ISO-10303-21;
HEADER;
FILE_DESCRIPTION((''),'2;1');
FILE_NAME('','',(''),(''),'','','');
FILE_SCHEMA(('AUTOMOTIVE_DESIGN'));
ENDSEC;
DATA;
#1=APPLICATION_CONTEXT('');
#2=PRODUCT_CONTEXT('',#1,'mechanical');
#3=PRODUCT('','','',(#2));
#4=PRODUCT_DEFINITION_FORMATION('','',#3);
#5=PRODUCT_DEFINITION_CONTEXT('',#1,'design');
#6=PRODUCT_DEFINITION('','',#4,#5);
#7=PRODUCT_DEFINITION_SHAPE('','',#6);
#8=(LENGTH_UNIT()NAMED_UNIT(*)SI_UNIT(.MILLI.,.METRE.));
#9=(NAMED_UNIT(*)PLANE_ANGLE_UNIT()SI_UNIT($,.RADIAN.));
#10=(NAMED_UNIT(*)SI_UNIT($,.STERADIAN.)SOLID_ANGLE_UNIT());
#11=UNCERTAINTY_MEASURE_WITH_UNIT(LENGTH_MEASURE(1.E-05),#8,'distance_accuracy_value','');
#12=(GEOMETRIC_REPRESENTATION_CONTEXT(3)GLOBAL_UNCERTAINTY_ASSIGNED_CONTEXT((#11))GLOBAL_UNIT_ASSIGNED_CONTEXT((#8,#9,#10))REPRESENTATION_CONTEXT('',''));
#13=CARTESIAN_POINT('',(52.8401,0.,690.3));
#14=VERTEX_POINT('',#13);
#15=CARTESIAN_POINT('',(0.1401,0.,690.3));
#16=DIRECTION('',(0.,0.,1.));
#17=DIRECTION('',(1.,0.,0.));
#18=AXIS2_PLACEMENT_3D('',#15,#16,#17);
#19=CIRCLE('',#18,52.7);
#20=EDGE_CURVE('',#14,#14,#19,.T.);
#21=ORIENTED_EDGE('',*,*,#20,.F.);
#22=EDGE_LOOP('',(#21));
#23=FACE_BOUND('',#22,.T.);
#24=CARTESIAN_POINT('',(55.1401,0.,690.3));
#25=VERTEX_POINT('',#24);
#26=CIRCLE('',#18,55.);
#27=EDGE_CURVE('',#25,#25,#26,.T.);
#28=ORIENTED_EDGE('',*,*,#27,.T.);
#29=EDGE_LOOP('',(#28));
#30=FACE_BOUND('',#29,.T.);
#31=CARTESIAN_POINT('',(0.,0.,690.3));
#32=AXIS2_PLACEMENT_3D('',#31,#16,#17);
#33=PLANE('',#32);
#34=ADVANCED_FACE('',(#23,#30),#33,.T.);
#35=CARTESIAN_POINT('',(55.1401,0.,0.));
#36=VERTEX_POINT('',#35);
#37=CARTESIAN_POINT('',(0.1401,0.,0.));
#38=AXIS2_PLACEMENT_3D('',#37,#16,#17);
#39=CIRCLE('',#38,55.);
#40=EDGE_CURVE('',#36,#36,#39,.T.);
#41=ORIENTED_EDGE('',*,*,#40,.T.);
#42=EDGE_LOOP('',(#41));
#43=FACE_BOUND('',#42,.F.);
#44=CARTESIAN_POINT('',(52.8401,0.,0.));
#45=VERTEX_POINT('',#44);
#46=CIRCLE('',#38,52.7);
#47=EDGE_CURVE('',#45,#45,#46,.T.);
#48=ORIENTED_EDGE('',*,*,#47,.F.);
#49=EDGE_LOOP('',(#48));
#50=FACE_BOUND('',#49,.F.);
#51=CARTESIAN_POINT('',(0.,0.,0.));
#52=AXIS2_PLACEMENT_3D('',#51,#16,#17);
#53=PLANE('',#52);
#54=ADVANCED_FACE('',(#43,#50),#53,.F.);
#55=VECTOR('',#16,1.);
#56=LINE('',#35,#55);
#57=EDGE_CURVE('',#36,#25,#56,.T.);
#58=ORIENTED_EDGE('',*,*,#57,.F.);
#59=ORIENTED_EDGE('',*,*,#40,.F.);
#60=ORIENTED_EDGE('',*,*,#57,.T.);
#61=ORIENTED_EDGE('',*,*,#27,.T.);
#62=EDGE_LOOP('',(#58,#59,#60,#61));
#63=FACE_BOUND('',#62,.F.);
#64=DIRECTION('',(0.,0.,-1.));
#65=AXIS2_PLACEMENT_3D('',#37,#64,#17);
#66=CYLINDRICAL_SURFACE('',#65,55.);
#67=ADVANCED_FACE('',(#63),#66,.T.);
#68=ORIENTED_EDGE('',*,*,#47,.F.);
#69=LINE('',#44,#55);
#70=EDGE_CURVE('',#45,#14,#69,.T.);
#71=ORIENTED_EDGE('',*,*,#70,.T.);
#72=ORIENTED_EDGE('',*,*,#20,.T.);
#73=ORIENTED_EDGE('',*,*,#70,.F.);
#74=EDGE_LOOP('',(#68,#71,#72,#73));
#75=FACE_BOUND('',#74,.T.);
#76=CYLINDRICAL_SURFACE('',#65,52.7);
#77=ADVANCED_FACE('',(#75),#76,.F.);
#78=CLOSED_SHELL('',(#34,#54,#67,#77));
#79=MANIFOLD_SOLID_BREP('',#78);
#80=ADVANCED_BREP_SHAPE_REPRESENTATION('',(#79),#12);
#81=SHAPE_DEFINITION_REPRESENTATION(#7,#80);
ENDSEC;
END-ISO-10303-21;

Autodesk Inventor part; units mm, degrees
ref_plane "YZ Plane" through (0, 0, 0) normal (1, 0, 0) x (0, 1, 0)
ref_plane "XZ Plane" through (0, 0, 0) normal (0, 1, 0) x (-1, 0, 0)
ref_plane "XY Plane" through (0, 0, 0) normal (0, 0, 1) x (1, 0, 0)
sketch "Sketch1" plane through (0, 0, 0) normal (0, 0, 1) x (1, 0, 0)
  circle A0 centre (0.1401, 0) radius 55
  circle A1 centre (0.1401, 0) radius 52.7
  point P0 (0, 0)
  dimension "d1" = 2.3
  dimension "d2" = 110
extrude "Extrusion1" add sketch "Sketch1" along normal blind 690.3
properties part number "pipe_6in_0.5m"
